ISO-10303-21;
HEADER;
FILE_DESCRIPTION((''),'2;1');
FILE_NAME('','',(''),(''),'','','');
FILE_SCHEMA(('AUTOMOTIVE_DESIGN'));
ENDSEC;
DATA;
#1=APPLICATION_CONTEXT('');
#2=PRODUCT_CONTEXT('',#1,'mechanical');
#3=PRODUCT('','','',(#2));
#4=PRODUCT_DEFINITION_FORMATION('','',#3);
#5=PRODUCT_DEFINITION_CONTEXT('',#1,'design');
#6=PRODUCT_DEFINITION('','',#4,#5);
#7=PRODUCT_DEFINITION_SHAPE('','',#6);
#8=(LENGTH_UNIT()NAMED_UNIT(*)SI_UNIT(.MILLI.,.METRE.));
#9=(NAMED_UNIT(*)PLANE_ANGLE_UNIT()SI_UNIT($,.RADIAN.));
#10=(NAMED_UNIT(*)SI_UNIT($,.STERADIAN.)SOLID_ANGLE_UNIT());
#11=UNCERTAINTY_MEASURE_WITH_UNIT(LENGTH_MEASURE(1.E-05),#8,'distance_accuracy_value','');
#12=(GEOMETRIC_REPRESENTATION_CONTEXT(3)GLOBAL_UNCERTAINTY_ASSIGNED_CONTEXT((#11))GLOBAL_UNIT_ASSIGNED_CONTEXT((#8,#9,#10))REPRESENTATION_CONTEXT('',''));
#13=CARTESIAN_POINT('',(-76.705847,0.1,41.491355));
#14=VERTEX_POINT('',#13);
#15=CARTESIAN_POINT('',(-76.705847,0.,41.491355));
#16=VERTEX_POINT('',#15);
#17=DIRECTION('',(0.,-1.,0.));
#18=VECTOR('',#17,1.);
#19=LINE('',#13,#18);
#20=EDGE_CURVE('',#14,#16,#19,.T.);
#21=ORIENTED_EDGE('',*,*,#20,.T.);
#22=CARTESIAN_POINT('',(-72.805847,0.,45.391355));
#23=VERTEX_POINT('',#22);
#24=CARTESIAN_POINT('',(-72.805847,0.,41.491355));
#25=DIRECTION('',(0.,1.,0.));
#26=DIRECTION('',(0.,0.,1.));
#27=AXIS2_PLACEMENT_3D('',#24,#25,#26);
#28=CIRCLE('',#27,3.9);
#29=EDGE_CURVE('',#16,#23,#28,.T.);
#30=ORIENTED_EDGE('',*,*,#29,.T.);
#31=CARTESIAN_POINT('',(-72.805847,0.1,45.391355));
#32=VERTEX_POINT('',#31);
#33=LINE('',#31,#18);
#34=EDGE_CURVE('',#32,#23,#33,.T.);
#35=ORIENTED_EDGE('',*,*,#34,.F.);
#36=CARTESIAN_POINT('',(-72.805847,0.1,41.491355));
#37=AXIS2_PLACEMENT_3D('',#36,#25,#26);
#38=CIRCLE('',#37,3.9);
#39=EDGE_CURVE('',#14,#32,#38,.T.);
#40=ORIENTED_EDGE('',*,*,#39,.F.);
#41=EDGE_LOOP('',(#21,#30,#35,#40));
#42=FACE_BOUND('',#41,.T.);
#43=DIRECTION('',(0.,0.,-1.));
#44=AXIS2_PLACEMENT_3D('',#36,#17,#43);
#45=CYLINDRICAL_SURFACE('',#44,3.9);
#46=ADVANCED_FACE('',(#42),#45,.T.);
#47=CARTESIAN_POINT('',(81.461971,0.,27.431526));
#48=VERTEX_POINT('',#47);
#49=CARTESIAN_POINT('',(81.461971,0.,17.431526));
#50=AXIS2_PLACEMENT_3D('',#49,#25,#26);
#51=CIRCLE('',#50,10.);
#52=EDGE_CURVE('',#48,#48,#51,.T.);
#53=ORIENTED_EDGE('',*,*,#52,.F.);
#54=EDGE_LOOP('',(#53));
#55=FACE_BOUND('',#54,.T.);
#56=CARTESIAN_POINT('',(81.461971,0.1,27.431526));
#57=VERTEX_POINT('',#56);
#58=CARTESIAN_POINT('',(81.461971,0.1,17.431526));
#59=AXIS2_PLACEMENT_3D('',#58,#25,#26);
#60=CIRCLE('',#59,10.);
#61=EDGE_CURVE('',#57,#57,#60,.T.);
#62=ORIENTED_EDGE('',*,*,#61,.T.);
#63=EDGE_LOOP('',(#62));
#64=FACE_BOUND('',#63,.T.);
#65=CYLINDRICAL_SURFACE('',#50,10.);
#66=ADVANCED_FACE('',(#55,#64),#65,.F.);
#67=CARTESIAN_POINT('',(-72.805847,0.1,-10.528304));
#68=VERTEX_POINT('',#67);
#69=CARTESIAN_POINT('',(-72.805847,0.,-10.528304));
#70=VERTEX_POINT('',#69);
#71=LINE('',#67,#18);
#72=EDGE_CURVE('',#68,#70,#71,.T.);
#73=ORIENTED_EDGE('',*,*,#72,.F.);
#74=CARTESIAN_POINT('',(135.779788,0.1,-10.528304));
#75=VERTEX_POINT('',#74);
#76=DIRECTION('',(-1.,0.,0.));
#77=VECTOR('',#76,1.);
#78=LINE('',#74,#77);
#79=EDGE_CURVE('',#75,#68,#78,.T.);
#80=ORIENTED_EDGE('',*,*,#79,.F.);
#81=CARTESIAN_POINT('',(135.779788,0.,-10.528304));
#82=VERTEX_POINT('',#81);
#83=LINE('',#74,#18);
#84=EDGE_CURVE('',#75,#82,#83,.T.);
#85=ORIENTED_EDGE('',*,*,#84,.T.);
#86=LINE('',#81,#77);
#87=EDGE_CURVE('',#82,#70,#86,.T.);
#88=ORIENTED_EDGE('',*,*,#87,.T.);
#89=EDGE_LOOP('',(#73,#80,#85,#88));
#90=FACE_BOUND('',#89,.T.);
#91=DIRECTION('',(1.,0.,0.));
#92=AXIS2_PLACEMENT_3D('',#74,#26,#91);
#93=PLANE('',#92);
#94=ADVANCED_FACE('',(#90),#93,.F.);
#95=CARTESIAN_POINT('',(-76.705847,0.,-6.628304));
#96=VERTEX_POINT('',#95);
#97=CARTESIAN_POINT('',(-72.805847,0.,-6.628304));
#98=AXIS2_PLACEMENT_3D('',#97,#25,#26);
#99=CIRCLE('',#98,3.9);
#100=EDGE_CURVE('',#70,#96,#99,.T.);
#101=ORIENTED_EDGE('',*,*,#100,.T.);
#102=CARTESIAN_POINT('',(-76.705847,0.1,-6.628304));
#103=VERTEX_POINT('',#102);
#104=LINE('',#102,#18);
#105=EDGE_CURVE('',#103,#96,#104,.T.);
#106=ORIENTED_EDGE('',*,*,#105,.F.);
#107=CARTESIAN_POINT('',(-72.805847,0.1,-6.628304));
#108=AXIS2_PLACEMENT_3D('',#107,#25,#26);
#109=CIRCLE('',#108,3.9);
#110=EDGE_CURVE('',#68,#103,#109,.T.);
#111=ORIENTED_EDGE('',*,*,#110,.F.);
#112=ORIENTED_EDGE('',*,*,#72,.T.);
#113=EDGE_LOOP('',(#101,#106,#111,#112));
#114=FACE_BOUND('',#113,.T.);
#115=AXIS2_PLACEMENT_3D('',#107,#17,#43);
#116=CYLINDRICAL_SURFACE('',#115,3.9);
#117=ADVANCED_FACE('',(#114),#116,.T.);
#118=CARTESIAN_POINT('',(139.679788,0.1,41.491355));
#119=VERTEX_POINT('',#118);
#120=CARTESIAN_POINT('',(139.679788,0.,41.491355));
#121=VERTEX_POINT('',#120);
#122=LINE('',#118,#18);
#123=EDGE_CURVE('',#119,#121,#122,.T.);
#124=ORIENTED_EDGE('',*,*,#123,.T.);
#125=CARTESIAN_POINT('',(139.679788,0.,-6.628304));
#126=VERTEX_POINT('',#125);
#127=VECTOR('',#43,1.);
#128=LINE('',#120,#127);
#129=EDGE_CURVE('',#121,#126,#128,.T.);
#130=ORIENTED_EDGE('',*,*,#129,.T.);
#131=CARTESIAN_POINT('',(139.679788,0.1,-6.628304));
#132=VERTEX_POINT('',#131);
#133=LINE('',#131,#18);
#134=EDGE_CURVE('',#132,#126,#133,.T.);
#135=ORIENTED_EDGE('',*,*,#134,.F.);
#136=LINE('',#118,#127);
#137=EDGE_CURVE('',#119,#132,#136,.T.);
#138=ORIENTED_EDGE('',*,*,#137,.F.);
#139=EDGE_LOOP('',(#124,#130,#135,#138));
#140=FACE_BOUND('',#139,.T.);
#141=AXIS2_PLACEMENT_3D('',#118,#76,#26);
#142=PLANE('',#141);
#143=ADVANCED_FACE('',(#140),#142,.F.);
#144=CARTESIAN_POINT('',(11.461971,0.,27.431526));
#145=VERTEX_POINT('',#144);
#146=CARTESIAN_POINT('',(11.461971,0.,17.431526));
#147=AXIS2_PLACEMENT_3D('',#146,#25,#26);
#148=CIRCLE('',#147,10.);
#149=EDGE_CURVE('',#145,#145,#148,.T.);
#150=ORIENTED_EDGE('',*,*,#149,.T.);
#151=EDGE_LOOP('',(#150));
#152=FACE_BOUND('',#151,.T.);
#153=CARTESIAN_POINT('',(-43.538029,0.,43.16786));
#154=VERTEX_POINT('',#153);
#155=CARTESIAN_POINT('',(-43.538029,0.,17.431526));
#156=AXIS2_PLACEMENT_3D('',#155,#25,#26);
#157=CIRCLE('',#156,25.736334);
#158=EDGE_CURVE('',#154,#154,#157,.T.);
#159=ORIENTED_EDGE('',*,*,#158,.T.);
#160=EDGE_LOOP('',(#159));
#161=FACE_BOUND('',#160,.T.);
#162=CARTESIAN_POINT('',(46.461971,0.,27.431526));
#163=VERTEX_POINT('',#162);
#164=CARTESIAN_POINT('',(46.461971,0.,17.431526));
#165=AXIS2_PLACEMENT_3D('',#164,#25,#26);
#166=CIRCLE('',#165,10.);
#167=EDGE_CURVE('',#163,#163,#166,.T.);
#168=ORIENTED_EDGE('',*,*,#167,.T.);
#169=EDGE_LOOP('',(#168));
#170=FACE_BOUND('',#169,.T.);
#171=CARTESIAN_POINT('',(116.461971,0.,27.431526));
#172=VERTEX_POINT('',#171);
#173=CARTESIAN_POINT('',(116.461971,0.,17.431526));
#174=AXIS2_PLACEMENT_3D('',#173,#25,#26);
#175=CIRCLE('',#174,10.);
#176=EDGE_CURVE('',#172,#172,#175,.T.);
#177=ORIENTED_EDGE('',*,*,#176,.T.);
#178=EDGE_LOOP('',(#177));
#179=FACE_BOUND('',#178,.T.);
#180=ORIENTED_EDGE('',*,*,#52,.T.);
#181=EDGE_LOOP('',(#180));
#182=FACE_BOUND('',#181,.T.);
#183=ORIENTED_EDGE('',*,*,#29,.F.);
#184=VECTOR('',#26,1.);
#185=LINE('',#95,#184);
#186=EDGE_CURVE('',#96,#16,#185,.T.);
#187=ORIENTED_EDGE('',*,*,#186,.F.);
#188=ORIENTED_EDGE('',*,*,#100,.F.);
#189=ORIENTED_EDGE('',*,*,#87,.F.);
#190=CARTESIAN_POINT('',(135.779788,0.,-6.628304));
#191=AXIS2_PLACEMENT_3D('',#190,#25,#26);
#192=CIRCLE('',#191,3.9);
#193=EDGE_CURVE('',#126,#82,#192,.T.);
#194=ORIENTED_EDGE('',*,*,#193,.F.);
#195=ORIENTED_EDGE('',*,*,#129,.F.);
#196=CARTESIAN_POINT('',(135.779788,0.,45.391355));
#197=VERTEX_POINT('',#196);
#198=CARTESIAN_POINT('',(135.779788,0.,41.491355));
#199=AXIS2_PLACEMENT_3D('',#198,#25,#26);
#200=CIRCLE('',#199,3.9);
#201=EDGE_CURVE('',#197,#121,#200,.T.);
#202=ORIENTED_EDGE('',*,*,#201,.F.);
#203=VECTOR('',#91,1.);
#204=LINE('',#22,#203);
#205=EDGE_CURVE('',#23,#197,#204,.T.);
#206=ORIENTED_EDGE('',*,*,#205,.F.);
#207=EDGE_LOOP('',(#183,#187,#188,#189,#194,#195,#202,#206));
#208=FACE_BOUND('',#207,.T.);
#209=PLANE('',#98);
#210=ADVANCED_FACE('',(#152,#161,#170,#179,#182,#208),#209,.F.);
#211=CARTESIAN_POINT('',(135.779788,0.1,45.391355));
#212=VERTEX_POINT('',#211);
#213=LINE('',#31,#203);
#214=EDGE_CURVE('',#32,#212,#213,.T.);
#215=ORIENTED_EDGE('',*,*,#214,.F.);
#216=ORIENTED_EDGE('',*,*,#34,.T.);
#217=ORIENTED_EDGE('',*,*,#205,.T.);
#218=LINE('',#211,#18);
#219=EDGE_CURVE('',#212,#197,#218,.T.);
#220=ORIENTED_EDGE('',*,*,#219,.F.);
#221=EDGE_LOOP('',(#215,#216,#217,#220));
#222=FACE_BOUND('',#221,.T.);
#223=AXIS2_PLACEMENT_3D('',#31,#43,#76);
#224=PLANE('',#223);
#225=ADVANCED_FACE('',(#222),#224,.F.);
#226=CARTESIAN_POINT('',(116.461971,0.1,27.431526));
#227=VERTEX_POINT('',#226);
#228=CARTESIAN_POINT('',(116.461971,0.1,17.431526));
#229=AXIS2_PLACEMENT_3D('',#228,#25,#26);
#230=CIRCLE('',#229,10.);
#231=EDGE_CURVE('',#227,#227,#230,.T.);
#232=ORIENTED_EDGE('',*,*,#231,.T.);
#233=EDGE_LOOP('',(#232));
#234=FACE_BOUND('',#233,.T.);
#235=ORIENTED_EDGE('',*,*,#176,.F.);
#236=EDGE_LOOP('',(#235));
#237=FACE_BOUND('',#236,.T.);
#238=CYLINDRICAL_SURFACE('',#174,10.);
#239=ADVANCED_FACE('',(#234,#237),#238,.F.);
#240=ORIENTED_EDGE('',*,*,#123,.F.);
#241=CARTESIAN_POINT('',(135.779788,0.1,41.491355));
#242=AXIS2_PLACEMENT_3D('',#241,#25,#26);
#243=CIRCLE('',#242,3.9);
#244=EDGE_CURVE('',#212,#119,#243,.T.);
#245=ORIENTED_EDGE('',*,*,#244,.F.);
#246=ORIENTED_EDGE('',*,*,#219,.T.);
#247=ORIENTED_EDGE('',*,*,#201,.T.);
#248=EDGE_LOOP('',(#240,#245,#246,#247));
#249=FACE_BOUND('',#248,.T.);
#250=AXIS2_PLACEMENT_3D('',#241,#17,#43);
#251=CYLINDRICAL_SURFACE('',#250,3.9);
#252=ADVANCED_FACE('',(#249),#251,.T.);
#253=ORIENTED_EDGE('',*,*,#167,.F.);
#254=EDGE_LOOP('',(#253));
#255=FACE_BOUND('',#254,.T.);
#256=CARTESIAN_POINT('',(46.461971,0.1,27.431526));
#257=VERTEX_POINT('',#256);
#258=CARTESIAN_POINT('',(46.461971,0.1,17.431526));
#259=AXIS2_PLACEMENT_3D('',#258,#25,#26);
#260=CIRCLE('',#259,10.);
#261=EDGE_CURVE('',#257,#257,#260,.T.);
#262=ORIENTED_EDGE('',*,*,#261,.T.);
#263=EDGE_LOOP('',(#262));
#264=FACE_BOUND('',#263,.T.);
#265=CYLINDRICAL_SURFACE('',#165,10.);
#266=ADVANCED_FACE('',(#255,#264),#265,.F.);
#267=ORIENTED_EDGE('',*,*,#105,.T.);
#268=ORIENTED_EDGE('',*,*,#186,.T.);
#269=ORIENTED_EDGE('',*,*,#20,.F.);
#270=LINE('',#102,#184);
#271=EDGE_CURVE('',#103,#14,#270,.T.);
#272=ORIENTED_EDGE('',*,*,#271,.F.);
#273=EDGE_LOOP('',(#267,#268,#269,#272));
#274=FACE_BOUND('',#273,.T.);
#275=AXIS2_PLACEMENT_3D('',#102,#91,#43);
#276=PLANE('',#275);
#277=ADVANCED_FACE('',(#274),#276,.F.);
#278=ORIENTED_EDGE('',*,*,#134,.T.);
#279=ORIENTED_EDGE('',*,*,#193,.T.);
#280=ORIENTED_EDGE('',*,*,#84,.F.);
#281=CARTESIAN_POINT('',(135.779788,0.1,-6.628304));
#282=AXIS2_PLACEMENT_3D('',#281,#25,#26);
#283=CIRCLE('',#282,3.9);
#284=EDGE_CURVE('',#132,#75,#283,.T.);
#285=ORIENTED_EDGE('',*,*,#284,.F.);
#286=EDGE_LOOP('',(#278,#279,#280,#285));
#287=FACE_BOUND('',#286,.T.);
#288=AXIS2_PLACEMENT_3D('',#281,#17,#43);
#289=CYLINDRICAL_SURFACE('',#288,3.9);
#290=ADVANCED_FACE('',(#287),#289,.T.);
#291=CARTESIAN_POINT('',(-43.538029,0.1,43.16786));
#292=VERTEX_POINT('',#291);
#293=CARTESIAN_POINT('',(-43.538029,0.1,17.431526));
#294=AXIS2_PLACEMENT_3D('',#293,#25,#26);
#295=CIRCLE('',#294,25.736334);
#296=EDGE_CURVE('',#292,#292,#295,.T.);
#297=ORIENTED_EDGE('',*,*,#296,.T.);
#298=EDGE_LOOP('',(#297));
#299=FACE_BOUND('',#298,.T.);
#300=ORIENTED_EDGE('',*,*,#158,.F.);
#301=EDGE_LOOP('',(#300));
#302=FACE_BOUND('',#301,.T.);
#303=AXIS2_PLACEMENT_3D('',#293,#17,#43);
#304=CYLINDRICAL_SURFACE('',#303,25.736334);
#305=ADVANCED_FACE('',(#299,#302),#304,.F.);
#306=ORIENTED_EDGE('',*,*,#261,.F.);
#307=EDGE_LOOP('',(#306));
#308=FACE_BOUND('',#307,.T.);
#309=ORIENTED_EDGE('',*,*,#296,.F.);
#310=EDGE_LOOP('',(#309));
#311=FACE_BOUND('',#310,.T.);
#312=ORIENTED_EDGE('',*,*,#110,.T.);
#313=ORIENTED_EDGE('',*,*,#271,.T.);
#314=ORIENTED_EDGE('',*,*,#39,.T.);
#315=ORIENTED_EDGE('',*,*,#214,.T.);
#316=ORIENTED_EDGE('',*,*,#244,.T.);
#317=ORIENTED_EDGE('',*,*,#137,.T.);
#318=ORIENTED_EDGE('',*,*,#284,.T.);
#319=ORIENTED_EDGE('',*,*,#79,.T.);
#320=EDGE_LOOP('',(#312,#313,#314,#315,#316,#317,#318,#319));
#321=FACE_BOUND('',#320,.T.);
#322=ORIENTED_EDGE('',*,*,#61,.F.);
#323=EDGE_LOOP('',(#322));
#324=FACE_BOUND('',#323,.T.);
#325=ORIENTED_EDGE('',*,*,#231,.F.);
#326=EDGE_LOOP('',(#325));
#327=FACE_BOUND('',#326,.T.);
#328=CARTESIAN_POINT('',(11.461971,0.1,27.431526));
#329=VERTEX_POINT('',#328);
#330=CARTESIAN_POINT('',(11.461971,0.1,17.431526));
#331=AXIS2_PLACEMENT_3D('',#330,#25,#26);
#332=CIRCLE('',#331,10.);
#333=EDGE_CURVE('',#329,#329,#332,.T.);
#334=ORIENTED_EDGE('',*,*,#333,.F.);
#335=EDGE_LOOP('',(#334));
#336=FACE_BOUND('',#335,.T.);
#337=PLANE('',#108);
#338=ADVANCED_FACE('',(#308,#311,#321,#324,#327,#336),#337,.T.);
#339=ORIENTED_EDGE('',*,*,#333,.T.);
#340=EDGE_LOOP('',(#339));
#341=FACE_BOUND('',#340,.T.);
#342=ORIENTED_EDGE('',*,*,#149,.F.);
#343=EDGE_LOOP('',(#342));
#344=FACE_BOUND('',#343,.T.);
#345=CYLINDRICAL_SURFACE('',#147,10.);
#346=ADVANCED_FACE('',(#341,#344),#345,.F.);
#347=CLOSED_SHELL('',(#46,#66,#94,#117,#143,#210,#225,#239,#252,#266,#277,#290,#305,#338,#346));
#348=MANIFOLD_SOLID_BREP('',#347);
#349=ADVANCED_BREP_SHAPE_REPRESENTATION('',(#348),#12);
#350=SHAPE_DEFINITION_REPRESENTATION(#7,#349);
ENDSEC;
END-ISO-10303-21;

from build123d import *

# Parameters (mm, degrees)
SKETCH1_R               = 25.736334191
BOSS_EXTRUDE1_DEPTH     = 0.1
CUT_EXTRUDE1_DEPTH      = 147.870107232
CUT_EXTRUDE1_DEPTH_BACK = 147.870107232
SKETCH2_R               = 10


with BuildPart() as part:
    # Sketch1 → Boss-Extrude1 (new body)
    with BuildSketch(Plane(origin=(0, 0, 0), x_dir=(1, 0, 0), z_dir=(0, 1, 0))):
        with BuildLine():
            Line((-76.705846626, 6.628303893), (-76.705846626, -41.491355388))
            ThreePointArc((-76.705846626, -41.491355388), (-75.563563073, -44.249071834), (-72.805846626, -45.391355388))
            Line((-72.805846626, -45.391355388), (135.779788281, -45.391355388))
            ThreePointArc((135.779788281, -45.391355388), (138.537504728, -44.249071834), (139.679788281, -41.491355388))
            Line((139.679788281, -41.491355388), (139.679788281, 6.628303893))
            ThreePointArc((139.679788281, 6.628303893), (138.537504728, 9.386020339), (135.779788281, 10.528303893))
            Line((135.779788281, 10.528303893), (-72.805846626, 10.528303893))
            ThreePointArc((-72.805846626, 10.528303893), (-75.563563073, 9.386020339), (-76.705846626, 6.628303893))
        make_face()
        with Locations(Location((-43.538029172, -17.431525748, 0), (0, 0, 270))):
            Circle(SKETCH1_R, mode=Mode.SUBTRACT)
    extrude(amount=BOSS_EXTRUDE1_DEPTH)

    # Sketch2 → Cut-Extrude1 (cut, two sides: drawn at the far end of the back side and taken through both)
    with BuildSketch(Plane(origin=(0, 0.1, 0), x_dir=(1, 0, 0), z_dir=(0, 1, 0)).offset(-CUT_EXTRUDE1_DEPTH_BACK)):
        with Locations(Location((11.461970828, -17.431525748, 0), (0, 0, 270))):
            Circle(SKETCH2_R)
        with Locations(Location((46.461970828, -17.431525748, 0), (0, 0, 270))):
            Circle(SKETCH2_R)
        with Locations(Location((81.461970828, -17.431525748, 0), (0, 0, 270))):
            Circle(SKETCH2_R)
        with Locations(Location((116.461970828, -17.431525748, 0), (0, 0, 270))):
            Circle(SKETCH2_R)
    extrude(amount=CUT_EXTRUDE1_DEPTH + CUT_EXTRUDE1_DEPTH_BACK, mode=Mode.SUBTRACT)


solid = part.part
